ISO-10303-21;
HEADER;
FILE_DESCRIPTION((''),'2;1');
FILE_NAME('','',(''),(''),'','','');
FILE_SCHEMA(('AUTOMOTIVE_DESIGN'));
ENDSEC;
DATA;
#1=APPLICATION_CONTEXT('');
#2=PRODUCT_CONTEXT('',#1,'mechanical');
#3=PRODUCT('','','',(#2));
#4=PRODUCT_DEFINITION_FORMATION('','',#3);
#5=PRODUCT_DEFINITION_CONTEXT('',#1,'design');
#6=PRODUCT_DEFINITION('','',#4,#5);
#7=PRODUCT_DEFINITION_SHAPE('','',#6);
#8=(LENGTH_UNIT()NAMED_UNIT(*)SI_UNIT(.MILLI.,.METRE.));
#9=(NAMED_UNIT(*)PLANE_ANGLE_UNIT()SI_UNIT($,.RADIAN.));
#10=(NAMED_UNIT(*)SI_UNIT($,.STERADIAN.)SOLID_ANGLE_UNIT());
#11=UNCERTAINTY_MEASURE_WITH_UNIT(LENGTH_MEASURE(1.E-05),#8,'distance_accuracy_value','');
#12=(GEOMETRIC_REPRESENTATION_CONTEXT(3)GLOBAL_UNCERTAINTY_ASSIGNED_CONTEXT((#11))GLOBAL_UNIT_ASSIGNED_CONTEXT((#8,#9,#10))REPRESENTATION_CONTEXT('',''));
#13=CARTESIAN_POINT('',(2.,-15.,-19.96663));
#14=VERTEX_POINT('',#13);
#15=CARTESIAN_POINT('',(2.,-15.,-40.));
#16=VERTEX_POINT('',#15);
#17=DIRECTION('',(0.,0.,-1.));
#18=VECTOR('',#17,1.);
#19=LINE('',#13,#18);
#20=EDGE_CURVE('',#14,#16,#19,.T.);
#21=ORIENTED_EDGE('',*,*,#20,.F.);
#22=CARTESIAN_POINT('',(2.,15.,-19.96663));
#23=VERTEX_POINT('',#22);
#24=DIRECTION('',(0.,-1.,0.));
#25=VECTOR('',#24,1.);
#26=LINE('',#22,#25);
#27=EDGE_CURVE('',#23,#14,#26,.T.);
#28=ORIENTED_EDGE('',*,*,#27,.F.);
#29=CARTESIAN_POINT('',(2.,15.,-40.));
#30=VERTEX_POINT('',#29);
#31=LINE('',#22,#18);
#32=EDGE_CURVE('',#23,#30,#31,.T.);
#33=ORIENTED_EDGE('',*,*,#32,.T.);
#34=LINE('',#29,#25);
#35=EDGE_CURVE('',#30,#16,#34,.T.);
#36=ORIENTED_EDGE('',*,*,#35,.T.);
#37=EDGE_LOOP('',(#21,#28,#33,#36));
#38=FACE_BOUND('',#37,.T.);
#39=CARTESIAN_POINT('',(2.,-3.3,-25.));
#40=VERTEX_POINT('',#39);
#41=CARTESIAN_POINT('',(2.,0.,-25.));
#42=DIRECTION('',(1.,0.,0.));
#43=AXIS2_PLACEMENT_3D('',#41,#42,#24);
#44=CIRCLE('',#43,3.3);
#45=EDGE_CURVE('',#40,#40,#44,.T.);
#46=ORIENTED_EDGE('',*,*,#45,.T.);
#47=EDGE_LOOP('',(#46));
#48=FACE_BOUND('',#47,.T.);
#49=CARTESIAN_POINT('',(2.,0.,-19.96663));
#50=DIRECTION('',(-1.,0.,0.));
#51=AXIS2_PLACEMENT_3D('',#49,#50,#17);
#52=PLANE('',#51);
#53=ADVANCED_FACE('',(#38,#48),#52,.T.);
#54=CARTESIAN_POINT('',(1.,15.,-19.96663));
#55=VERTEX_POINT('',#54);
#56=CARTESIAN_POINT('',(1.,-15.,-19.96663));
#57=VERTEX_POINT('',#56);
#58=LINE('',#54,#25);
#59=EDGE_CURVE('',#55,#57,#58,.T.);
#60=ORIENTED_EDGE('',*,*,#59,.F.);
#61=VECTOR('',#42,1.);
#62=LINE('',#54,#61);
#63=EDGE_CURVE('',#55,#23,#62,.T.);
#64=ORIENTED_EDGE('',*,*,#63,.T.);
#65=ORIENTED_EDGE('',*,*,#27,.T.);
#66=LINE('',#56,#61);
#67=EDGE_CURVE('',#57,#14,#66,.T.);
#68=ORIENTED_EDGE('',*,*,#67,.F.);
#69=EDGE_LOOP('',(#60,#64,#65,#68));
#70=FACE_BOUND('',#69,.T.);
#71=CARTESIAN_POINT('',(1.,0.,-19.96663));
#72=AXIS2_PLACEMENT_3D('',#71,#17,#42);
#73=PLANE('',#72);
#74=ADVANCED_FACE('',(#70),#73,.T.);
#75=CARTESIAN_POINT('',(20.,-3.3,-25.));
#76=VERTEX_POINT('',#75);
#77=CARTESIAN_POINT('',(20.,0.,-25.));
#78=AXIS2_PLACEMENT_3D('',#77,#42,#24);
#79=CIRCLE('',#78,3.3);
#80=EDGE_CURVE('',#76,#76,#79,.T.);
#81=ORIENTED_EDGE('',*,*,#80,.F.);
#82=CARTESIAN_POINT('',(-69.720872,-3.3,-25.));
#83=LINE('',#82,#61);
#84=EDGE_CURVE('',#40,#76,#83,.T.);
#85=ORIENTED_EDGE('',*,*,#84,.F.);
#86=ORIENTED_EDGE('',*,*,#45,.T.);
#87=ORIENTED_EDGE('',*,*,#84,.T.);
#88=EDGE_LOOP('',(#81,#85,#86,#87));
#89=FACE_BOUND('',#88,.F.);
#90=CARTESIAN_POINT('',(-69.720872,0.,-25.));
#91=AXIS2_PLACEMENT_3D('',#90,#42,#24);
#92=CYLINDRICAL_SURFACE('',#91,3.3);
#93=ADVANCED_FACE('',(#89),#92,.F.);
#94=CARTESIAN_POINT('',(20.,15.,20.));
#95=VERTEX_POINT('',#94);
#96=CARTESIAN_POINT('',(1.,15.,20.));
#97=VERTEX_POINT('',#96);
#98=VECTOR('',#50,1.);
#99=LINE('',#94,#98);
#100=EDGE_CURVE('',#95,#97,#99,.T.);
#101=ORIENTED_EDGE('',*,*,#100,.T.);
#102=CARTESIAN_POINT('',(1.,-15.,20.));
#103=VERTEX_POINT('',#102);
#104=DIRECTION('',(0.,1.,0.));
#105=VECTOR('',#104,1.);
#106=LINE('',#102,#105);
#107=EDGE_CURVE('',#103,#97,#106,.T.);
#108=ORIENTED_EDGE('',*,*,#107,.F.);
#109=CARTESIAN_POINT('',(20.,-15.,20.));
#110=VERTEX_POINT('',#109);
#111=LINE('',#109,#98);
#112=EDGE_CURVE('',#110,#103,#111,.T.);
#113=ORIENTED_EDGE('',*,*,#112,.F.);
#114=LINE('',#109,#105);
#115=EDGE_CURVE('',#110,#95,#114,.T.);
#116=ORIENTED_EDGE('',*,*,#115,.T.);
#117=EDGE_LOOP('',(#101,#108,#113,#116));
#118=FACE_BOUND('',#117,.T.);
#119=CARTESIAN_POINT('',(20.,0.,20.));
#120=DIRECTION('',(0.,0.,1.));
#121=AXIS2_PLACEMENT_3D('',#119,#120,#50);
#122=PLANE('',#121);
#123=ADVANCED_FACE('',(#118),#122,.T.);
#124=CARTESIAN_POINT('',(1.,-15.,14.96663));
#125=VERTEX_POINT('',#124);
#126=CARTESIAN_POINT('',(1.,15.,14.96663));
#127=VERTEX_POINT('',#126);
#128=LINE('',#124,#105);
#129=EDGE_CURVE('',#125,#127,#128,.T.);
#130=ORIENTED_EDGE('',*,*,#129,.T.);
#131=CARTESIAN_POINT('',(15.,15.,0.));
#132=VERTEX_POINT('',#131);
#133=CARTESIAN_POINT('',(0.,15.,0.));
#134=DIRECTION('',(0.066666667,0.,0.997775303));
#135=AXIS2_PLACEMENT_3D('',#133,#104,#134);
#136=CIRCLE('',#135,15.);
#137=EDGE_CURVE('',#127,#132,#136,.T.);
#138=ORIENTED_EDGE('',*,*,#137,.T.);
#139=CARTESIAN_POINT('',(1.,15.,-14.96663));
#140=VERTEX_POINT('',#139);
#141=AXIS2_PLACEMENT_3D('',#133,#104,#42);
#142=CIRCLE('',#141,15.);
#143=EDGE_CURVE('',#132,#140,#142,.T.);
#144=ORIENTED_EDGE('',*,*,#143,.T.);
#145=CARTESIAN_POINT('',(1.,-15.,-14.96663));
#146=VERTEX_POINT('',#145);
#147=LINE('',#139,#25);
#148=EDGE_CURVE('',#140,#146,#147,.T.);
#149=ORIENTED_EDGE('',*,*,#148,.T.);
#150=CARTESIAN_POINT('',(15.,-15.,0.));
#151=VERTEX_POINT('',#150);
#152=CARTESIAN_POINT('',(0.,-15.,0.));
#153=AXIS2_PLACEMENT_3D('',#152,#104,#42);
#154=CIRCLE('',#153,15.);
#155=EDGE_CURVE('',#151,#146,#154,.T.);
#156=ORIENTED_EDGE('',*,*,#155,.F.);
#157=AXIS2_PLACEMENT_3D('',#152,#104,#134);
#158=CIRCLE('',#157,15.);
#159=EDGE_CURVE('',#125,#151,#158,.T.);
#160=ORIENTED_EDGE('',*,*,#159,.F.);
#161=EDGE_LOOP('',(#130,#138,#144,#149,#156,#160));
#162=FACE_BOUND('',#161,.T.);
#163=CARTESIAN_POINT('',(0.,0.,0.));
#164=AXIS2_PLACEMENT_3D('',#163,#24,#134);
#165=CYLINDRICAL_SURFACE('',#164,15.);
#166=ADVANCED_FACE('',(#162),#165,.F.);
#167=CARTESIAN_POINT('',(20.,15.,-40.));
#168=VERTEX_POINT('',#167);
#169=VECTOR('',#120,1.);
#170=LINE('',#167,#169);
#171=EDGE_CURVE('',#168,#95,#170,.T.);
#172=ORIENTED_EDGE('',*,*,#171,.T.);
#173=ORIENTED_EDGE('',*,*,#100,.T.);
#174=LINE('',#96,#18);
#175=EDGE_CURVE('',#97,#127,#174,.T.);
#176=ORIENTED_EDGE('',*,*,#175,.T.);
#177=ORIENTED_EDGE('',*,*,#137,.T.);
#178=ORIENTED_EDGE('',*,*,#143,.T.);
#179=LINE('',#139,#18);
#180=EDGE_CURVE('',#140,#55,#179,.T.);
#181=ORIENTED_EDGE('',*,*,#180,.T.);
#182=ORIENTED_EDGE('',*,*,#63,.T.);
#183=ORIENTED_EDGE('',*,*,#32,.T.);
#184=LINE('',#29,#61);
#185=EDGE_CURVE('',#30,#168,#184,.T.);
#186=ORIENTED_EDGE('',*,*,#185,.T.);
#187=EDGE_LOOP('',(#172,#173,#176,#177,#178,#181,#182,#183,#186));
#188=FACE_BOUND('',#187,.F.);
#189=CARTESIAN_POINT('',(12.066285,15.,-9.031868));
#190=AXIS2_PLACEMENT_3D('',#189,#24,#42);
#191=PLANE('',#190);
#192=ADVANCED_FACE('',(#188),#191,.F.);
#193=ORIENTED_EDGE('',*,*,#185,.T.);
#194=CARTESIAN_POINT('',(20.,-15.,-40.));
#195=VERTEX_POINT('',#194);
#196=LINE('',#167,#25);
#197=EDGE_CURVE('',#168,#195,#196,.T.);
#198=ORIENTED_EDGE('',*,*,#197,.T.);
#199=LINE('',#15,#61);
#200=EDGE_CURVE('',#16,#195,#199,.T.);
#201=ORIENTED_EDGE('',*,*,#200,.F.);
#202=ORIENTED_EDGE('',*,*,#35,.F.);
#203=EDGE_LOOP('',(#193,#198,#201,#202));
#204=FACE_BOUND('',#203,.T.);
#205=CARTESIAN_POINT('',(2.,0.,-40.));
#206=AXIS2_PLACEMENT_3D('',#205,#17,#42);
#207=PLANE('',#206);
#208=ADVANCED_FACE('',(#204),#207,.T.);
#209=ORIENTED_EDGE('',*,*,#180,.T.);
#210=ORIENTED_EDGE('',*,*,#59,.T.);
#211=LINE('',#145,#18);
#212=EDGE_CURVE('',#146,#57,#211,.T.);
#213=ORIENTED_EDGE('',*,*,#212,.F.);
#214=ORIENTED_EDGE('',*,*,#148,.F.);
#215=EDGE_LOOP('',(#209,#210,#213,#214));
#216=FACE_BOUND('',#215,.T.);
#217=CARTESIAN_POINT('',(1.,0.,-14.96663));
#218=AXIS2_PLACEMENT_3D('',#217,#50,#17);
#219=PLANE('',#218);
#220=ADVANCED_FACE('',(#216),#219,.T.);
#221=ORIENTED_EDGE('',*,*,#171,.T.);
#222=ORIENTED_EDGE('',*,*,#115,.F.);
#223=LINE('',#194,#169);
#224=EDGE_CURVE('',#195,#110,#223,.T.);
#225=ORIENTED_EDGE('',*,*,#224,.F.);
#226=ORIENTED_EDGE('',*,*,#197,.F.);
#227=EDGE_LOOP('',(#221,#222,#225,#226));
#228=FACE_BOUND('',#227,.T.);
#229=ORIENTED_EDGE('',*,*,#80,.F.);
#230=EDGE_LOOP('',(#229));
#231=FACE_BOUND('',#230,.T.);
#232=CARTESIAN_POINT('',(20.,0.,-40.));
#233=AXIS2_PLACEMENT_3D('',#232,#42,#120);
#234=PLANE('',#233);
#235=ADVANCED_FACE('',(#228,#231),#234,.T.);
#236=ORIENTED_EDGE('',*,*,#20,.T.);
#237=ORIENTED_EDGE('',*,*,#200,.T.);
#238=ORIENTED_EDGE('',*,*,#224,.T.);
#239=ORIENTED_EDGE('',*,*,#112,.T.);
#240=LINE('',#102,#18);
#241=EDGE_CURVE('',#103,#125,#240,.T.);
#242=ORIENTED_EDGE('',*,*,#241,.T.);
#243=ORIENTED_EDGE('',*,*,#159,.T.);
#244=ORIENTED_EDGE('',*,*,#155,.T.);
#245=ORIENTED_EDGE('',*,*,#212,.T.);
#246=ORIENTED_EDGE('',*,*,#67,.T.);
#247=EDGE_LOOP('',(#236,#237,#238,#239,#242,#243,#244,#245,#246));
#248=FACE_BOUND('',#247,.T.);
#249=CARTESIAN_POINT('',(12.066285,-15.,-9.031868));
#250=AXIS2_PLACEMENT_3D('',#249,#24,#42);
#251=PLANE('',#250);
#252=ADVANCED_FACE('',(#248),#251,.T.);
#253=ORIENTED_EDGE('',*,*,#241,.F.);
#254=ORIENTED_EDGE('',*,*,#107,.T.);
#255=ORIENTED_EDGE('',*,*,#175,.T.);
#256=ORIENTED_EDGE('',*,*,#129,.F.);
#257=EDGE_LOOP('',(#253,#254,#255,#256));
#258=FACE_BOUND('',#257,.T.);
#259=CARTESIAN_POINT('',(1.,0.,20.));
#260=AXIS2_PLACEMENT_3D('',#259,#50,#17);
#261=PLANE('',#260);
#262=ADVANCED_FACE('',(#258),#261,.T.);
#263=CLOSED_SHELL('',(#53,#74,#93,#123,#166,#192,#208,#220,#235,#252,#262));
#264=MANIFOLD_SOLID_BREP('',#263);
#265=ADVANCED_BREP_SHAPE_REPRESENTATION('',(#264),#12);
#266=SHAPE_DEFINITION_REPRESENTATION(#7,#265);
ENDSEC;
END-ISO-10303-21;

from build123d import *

# Parameters (mm, degrees)
F1_DEPTH = 15
F3_D     = 6.6


with BuildPart() as f1:
    # F0 (on Front) → F1 (new body, symmetric)
    with BuildSketch(Plane.XZ):
        with BuildLine():
            ThreePointArc((1, 14.9666295471), (10.9544511501, 10.246950766), (15, 0))
            ThreePointArc((15, 0), (10.9544511501, -10.246950766), (1, -14.9666295471))
            Line((1, -14.9666295471), (1, -19.9666295471))
            Line((1, -19.9666295471), (2, -19.9666295471))
            Line((2, -19.9666295471), (2, -40))
            Line((2, -40), (20, -40))
            Line((20, -40), (20, 20))
            Line((20, 20), (1, 20))
            Line((1, 20), (1, 14.9666295471))
        make_face()
    extrude(amount=F1_DEPTH, both=True)

    # F3 (through all)
    with Locations(Plane(origin=(0, 0, 0), x_dir=(0, 1, 0), z_dir=(-1, 0, 0))):
        with Locations((0, 25)):
            Hole(F3_D / 2)


solid = f1.part
